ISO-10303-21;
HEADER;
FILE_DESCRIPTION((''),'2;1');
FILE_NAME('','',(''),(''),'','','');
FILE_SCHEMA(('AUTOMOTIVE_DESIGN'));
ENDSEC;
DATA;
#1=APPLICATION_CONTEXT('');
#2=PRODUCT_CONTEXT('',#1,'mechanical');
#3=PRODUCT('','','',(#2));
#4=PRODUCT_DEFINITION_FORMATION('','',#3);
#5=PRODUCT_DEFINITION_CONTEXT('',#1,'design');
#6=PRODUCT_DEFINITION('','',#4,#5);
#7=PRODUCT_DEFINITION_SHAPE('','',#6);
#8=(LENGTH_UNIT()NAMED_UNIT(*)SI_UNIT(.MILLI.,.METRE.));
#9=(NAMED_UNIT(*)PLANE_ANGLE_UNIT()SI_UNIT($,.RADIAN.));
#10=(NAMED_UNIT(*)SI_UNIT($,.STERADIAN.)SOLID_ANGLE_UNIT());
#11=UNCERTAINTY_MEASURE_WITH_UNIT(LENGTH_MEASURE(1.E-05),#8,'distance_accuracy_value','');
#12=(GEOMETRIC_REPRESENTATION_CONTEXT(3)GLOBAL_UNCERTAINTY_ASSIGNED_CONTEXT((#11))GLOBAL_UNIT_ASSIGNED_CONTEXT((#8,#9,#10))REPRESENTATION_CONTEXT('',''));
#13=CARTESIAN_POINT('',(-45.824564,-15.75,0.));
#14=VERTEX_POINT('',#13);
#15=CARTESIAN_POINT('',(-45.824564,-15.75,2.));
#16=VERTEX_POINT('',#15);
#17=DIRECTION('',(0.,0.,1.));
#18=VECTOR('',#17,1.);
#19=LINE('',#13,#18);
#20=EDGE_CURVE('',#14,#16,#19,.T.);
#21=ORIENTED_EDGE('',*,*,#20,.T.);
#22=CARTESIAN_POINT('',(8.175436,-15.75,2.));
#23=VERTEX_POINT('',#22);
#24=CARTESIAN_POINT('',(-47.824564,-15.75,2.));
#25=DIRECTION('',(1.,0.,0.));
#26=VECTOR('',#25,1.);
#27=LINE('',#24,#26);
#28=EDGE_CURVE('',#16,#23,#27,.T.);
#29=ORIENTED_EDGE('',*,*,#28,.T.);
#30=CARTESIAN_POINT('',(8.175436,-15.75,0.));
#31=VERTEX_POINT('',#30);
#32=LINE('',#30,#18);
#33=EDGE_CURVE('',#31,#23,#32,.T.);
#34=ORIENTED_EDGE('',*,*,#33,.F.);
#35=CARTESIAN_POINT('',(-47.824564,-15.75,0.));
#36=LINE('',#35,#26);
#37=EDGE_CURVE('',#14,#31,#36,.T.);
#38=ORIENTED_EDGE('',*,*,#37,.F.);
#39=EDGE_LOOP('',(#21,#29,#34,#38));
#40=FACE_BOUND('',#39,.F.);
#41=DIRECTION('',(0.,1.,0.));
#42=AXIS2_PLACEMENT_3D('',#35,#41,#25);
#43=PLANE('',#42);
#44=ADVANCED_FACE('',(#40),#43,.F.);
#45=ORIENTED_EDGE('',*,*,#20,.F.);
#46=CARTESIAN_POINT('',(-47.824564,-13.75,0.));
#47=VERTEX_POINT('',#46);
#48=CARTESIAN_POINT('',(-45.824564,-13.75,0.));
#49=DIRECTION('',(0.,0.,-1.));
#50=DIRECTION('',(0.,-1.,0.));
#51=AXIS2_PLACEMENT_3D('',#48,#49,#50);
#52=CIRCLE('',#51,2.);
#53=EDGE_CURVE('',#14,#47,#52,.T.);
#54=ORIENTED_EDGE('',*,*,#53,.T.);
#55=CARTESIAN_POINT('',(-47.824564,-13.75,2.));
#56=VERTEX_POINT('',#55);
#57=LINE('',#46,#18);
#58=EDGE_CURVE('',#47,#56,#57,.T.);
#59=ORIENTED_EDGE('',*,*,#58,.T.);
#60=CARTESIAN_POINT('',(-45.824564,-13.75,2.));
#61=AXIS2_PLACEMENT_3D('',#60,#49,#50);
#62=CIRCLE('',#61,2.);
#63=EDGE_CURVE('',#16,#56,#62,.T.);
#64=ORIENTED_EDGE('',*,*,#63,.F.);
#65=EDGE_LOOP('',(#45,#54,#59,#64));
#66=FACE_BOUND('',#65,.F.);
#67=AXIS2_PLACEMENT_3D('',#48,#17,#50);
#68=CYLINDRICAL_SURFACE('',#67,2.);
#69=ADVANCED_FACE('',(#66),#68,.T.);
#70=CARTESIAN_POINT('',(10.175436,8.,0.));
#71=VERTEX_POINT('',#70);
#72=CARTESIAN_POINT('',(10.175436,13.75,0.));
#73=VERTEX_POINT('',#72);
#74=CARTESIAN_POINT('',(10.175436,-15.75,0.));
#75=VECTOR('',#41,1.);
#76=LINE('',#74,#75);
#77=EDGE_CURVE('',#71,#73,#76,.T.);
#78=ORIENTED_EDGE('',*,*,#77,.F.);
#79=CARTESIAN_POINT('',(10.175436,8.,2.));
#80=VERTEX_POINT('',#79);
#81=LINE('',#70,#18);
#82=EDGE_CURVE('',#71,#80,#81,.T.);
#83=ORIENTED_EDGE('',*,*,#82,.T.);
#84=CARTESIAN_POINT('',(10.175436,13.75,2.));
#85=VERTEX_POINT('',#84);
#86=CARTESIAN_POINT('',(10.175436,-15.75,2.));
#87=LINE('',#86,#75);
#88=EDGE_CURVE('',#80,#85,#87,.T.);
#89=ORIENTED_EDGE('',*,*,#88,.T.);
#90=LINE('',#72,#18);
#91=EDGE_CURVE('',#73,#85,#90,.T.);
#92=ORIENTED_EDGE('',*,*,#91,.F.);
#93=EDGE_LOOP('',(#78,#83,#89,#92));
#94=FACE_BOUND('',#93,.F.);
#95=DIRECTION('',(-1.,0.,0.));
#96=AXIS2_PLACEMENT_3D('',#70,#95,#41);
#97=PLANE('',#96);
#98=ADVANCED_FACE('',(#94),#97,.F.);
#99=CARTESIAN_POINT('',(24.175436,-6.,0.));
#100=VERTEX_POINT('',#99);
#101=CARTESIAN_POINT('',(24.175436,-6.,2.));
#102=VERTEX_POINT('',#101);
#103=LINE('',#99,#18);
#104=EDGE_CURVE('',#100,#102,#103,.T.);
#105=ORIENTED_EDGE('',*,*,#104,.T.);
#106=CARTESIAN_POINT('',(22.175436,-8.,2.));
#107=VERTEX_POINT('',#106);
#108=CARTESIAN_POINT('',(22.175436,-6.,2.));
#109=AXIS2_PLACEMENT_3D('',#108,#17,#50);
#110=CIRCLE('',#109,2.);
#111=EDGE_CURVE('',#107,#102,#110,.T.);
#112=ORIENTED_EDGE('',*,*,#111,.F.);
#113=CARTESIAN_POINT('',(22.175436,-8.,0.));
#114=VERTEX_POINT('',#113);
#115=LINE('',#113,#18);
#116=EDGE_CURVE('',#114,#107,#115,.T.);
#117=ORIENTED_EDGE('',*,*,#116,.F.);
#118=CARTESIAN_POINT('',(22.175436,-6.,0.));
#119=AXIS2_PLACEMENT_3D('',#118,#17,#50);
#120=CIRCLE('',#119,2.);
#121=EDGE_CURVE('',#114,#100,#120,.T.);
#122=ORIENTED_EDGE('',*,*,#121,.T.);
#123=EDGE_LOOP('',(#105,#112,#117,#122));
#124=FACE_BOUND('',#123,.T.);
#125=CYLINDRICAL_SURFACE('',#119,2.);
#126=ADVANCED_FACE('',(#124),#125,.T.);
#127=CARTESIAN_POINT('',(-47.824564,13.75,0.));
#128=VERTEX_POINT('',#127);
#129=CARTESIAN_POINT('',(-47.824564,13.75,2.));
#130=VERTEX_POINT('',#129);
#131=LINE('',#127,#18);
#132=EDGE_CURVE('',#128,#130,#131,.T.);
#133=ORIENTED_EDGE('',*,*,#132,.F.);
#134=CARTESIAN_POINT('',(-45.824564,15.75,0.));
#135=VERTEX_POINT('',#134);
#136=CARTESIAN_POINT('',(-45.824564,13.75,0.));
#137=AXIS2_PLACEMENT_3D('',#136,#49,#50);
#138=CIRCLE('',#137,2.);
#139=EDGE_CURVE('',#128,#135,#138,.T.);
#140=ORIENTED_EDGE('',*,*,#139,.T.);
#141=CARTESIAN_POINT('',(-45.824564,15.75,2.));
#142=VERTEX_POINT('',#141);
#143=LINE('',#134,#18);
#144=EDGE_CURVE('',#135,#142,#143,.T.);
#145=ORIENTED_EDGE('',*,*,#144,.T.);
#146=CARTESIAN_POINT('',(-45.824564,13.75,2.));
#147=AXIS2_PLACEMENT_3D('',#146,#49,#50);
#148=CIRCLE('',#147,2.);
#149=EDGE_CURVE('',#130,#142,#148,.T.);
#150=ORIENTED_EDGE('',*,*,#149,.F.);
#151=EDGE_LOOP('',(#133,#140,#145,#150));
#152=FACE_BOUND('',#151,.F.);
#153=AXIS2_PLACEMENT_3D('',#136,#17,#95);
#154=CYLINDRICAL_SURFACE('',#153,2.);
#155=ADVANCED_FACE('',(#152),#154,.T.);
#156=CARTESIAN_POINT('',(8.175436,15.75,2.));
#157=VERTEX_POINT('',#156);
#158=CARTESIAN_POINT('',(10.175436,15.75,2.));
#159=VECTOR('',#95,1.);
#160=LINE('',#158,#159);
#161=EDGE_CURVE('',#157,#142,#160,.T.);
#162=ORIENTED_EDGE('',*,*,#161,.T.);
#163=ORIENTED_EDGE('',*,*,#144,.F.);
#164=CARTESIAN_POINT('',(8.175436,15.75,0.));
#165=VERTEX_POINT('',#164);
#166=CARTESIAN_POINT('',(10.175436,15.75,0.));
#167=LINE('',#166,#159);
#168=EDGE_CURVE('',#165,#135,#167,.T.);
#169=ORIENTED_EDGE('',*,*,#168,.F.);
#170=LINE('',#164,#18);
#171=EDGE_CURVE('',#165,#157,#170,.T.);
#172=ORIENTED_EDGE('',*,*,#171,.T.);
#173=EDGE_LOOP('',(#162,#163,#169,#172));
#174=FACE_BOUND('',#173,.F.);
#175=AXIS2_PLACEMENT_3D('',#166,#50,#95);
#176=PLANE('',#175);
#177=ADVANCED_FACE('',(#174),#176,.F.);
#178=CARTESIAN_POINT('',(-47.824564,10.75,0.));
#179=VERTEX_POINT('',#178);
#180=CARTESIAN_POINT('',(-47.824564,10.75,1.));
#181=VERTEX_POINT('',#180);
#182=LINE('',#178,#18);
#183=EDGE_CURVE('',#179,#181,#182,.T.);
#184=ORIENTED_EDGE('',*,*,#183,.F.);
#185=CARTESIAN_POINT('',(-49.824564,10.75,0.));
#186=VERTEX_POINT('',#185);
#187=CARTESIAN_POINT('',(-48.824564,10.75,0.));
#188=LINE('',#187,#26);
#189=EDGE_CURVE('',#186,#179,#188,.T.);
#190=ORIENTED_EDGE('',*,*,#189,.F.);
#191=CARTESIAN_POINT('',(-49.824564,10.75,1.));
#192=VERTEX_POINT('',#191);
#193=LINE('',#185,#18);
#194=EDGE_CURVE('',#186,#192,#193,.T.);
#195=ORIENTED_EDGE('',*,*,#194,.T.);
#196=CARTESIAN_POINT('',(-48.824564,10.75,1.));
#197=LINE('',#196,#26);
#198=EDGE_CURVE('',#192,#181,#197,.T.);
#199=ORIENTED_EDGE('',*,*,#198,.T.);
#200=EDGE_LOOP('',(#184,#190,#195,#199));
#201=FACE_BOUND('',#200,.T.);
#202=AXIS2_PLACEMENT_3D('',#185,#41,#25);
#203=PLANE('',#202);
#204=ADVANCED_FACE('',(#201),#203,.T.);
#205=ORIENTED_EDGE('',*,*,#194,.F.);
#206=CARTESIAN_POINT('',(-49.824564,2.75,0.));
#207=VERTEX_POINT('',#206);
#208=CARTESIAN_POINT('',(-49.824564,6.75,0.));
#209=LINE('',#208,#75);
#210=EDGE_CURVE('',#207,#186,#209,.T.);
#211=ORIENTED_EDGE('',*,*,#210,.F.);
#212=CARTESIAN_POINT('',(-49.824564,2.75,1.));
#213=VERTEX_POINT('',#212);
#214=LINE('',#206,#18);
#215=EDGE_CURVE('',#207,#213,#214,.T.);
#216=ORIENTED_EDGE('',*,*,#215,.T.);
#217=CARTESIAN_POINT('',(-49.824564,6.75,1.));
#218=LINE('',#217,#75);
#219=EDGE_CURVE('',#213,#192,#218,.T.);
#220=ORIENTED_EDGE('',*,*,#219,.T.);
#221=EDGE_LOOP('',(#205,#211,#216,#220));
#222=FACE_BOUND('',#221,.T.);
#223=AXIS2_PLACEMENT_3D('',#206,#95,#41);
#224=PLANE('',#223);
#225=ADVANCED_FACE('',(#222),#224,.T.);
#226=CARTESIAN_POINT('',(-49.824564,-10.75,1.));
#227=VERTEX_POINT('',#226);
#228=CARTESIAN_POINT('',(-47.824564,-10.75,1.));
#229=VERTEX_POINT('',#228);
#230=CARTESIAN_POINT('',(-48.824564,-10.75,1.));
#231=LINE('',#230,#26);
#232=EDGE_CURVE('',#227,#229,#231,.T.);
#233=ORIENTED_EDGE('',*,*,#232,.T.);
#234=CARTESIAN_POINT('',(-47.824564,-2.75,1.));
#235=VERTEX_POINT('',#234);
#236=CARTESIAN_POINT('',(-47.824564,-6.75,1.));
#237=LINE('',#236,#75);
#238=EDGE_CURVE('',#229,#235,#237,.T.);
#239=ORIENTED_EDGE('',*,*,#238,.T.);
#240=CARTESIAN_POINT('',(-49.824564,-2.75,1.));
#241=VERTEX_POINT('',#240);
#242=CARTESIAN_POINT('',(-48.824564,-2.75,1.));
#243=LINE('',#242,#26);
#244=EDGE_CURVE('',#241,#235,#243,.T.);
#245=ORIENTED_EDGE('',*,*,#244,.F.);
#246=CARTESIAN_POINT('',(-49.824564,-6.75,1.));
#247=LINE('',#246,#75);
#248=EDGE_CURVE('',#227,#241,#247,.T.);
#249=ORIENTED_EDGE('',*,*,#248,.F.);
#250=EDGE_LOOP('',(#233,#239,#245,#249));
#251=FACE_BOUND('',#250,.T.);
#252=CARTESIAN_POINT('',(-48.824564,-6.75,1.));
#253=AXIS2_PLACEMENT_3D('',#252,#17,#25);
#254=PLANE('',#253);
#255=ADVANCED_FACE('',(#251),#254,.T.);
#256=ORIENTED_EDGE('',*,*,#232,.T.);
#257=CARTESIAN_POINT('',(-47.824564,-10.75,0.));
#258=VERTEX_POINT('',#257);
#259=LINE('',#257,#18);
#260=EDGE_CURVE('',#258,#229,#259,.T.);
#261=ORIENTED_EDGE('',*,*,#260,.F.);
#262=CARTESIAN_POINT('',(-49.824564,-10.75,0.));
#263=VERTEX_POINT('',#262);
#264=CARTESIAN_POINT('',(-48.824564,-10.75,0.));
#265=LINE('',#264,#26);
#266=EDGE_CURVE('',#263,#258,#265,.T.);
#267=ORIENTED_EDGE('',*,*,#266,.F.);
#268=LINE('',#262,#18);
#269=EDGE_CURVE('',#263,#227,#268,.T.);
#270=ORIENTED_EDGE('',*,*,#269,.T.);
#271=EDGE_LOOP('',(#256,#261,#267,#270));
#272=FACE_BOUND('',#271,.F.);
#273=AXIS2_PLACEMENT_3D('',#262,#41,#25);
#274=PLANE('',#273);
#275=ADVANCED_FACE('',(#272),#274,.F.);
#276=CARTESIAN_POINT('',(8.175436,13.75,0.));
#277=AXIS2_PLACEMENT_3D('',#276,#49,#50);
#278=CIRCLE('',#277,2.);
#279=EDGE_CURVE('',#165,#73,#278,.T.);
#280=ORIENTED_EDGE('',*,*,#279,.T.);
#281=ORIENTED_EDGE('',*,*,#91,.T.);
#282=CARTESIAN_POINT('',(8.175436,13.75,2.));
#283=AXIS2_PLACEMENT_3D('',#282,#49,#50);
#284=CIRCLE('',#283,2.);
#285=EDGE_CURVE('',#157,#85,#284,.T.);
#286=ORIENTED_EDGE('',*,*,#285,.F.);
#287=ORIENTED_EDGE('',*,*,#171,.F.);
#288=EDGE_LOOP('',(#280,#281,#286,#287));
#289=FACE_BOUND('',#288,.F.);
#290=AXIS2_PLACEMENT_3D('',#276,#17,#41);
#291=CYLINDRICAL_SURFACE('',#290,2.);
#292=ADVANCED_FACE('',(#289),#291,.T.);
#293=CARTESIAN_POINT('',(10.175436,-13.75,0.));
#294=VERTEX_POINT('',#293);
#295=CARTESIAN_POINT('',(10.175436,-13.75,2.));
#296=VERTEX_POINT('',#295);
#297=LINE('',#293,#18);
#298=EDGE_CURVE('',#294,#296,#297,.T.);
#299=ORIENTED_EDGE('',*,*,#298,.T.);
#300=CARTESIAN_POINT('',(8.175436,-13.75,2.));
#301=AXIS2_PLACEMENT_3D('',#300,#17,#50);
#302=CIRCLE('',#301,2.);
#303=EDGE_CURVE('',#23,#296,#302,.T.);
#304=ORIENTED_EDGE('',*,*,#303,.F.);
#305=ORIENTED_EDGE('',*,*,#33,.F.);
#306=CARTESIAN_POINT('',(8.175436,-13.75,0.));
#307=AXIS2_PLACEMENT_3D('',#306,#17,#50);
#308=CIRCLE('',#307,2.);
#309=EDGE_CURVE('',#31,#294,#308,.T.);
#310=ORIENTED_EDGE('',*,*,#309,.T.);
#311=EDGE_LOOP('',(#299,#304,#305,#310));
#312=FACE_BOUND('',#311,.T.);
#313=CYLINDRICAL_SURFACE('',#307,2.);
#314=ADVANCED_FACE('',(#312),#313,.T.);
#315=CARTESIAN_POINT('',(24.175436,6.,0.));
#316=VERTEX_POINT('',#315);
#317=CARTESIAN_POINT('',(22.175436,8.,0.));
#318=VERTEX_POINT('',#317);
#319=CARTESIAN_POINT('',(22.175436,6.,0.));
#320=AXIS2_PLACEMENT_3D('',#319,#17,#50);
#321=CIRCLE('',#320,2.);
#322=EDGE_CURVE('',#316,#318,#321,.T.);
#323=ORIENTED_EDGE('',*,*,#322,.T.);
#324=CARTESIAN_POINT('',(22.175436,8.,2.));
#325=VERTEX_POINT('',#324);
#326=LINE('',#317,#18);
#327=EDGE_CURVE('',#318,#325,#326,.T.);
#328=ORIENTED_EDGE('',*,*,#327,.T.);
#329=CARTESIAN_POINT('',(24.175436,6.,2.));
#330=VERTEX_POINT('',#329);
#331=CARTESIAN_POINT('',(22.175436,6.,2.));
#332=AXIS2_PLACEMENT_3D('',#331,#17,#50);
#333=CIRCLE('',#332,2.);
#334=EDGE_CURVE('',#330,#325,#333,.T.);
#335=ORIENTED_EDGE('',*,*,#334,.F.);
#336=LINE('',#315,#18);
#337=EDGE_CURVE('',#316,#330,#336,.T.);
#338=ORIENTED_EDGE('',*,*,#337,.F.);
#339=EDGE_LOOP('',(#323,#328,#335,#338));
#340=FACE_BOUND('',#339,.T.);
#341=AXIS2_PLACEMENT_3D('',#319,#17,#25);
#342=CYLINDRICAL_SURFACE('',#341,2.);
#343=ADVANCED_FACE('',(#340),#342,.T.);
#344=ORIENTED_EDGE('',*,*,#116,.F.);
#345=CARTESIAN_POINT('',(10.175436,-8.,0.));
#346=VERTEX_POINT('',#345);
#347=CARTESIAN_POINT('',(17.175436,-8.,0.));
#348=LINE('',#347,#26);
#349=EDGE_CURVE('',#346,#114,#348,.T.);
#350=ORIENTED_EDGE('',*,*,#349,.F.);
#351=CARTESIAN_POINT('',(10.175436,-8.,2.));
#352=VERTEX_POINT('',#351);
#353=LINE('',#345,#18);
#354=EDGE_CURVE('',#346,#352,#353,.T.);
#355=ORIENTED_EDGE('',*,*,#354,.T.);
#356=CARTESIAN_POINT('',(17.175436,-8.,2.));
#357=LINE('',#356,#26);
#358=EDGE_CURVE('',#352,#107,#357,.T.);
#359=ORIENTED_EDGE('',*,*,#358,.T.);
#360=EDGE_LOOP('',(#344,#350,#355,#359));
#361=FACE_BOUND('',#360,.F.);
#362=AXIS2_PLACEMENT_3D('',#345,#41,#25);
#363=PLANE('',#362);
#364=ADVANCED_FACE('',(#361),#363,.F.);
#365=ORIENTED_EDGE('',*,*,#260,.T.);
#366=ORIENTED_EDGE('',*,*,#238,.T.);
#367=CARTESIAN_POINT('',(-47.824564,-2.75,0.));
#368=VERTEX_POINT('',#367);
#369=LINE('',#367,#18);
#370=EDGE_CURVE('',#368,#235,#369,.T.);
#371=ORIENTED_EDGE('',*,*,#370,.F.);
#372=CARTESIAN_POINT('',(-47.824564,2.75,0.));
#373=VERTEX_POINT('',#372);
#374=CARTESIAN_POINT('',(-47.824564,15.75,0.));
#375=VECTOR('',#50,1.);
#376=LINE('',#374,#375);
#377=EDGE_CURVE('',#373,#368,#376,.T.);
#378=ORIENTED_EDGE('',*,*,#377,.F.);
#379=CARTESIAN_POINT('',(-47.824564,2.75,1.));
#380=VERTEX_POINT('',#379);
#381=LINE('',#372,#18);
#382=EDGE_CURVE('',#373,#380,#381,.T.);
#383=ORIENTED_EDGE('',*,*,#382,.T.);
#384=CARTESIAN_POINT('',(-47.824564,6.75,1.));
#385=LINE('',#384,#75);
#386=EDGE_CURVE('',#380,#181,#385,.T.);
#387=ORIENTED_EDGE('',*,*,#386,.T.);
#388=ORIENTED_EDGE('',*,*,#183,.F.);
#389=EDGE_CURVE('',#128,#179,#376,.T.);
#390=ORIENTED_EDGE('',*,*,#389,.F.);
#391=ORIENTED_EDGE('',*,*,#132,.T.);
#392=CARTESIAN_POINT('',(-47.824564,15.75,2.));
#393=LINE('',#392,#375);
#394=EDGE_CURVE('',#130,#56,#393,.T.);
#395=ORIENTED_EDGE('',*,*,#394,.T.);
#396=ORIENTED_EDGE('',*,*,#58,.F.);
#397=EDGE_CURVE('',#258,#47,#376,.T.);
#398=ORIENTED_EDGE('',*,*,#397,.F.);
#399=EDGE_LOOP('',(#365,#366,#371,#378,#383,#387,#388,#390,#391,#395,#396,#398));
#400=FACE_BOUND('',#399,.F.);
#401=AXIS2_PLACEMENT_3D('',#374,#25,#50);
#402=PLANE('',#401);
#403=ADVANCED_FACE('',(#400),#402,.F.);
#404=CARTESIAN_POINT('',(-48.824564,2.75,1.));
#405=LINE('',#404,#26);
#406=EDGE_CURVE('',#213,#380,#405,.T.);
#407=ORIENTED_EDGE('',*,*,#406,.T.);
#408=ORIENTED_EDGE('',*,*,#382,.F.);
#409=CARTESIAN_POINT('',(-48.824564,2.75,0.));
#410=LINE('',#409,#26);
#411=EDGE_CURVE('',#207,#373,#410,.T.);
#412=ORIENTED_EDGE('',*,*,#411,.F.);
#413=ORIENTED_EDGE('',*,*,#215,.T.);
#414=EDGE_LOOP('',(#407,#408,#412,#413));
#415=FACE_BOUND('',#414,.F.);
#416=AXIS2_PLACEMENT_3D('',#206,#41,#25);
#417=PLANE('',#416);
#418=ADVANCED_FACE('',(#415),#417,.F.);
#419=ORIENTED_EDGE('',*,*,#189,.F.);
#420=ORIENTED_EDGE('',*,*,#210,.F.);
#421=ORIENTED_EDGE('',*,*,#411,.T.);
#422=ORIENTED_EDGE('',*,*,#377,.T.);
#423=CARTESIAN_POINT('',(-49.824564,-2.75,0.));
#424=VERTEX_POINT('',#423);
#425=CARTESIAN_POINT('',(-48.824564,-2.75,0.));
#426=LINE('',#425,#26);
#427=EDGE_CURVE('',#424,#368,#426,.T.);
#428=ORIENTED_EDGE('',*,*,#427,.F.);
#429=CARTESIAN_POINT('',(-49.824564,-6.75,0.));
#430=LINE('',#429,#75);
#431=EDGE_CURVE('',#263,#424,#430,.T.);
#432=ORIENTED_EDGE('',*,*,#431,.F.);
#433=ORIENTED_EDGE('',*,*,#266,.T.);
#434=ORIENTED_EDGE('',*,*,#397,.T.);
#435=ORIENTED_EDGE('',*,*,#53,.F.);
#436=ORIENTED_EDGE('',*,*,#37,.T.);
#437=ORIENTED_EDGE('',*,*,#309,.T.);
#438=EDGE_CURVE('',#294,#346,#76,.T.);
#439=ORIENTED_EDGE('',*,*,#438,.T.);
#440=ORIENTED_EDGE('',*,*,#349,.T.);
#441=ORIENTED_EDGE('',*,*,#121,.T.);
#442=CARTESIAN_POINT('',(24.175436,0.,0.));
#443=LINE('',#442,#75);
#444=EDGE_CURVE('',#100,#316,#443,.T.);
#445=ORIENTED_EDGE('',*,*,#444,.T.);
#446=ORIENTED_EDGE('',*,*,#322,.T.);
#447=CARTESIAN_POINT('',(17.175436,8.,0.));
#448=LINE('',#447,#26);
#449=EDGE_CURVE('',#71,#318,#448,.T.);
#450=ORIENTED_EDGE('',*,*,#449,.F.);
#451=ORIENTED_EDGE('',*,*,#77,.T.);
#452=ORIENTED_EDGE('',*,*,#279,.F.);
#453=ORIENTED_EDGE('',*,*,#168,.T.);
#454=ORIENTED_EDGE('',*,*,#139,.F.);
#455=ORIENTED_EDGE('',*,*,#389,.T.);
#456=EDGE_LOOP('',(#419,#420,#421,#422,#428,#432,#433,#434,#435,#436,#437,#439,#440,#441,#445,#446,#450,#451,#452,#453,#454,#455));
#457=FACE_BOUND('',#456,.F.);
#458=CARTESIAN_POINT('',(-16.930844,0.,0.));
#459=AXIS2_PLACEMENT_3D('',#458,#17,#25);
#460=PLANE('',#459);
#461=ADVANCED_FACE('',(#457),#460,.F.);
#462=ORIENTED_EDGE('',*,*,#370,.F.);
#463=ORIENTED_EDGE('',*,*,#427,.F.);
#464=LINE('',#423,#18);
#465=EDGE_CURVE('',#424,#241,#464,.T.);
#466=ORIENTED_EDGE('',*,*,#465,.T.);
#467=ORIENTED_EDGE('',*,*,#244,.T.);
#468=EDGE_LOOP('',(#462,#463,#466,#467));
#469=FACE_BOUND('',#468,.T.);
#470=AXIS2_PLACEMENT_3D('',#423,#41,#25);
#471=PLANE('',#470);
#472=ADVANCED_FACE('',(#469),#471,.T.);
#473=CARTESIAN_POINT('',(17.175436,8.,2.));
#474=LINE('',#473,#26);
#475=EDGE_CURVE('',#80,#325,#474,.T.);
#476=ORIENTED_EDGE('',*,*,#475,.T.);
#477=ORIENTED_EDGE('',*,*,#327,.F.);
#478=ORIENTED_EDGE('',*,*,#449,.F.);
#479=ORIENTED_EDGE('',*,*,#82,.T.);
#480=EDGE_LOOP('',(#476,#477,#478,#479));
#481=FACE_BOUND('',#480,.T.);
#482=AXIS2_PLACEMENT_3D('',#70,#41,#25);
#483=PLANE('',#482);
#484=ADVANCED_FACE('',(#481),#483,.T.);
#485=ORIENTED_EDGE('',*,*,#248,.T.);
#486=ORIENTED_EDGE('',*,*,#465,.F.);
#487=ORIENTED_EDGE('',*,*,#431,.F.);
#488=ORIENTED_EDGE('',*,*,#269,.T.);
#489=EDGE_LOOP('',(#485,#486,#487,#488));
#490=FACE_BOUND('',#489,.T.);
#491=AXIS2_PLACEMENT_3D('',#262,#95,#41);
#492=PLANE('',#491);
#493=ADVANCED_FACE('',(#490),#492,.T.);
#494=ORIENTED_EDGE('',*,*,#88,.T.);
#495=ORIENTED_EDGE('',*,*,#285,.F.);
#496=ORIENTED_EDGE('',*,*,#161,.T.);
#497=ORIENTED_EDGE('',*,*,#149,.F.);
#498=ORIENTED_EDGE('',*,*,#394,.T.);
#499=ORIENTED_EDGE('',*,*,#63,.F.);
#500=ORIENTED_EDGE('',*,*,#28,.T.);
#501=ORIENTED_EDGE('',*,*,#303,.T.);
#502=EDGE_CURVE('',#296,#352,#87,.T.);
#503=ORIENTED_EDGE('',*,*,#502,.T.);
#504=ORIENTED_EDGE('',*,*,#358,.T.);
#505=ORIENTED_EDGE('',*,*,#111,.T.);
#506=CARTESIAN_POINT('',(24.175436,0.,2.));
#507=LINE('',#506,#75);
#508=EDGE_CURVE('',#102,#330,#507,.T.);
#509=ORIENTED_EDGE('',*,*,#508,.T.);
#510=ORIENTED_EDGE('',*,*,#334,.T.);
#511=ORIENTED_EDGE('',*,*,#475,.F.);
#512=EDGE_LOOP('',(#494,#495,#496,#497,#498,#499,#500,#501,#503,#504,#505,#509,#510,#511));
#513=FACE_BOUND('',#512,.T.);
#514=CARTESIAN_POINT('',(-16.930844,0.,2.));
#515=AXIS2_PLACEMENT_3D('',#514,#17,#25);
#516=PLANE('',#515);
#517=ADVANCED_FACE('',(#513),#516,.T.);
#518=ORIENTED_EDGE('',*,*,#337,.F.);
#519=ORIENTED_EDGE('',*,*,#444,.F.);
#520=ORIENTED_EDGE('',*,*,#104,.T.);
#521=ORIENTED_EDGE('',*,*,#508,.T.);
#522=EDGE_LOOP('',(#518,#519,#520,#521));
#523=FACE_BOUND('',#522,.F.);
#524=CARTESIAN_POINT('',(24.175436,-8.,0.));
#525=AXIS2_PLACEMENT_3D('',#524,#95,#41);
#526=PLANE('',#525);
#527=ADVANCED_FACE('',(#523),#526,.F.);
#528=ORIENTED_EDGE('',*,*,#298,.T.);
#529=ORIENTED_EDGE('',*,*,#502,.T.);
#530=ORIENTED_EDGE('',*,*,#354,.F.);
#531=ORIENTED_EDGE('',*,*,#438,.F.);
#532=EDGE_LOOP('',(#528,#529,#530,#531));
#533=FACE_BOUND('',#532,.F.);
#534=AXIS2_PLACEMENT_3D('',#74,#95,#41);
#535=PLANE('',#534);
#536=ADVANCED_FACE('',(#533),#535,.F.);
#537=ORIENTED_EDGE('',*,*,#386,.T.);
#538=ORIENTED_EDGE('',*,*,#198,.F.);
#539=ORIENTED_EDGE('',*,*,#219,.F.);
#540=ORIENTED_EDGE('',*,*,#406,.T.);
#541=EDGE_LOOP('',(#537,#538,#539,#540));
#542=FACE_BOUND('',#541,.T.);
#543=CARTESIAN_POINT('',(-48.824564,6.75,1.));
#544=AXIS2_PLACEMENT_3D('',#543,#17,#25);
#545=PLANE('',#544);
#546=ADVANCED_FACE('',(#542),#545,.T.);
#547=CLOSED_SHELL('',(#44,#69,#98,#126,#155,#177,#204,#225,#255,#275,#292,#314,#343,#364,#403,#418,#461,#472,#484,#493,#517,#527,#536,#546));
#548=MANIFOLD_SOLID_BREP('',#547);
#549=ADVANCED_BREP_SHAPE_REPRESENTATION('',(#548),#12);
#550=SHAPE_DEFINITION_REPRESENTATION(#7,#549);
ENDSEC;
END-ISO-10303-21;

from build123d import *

# Parameters (mm, degrees)
F0_W     = 14
F0_H     = 16
F1_DEPTH = 2
F0_W_2   = 2
F0_H_2   = 8
F2_DEPTH = 1
F3_R     = 2


with BuildPart() as f1:
    # F0 (on Top) → F1 (new body)
    with BuildSketch(Plane.XY):
        Polygon((-47.824564, -15.75), (10.175436, -15.75), (10.175436, -8), (-3.824564, -8), (-3.824564, 8), (10.175436, 8), (10.175436, 15.75), (-47.824564, 15.75), (-47.824564, 10.75), (-47.824564, 2.75), (-47.824564, -2.75), (-47.824564, -10.75), align=None)
        with Locations((3.175436, 0)):
            Rectangle(F0_W, F0_H)
        with Locations((17.175436, 0)):
            Rectangle(F0_W, F0_H)
    extrude(amount=F1_DEPTH)

    # F0 (on Top) → F2 (join)
    with BuildSketch(Plane.XY):
        with Locations((-48.824564, 6.75)):
            Rectangle(F0_W_2, F0_H_2)
        with Locations((-48.824564, -6.75)):
            Rectangle(F0_W_2, F0_H_2)
    extrude(amount=F2_DEPTH)

    # F3
    f3_edges = [f1.edges().sort_by_distance(p)[0] for p in [
        (10.175436, 15.75, 1),
        (24.175436, 8, 1),
        (24.175436, -8, 1),
        (10.175436, -15.75, 1),
        (-47.824564, -15.75, 1),
        (-47.824564, 15.75, 1),
    ]]
    fillet(f3_edges, radius=F3_R)


solid = f1.part
